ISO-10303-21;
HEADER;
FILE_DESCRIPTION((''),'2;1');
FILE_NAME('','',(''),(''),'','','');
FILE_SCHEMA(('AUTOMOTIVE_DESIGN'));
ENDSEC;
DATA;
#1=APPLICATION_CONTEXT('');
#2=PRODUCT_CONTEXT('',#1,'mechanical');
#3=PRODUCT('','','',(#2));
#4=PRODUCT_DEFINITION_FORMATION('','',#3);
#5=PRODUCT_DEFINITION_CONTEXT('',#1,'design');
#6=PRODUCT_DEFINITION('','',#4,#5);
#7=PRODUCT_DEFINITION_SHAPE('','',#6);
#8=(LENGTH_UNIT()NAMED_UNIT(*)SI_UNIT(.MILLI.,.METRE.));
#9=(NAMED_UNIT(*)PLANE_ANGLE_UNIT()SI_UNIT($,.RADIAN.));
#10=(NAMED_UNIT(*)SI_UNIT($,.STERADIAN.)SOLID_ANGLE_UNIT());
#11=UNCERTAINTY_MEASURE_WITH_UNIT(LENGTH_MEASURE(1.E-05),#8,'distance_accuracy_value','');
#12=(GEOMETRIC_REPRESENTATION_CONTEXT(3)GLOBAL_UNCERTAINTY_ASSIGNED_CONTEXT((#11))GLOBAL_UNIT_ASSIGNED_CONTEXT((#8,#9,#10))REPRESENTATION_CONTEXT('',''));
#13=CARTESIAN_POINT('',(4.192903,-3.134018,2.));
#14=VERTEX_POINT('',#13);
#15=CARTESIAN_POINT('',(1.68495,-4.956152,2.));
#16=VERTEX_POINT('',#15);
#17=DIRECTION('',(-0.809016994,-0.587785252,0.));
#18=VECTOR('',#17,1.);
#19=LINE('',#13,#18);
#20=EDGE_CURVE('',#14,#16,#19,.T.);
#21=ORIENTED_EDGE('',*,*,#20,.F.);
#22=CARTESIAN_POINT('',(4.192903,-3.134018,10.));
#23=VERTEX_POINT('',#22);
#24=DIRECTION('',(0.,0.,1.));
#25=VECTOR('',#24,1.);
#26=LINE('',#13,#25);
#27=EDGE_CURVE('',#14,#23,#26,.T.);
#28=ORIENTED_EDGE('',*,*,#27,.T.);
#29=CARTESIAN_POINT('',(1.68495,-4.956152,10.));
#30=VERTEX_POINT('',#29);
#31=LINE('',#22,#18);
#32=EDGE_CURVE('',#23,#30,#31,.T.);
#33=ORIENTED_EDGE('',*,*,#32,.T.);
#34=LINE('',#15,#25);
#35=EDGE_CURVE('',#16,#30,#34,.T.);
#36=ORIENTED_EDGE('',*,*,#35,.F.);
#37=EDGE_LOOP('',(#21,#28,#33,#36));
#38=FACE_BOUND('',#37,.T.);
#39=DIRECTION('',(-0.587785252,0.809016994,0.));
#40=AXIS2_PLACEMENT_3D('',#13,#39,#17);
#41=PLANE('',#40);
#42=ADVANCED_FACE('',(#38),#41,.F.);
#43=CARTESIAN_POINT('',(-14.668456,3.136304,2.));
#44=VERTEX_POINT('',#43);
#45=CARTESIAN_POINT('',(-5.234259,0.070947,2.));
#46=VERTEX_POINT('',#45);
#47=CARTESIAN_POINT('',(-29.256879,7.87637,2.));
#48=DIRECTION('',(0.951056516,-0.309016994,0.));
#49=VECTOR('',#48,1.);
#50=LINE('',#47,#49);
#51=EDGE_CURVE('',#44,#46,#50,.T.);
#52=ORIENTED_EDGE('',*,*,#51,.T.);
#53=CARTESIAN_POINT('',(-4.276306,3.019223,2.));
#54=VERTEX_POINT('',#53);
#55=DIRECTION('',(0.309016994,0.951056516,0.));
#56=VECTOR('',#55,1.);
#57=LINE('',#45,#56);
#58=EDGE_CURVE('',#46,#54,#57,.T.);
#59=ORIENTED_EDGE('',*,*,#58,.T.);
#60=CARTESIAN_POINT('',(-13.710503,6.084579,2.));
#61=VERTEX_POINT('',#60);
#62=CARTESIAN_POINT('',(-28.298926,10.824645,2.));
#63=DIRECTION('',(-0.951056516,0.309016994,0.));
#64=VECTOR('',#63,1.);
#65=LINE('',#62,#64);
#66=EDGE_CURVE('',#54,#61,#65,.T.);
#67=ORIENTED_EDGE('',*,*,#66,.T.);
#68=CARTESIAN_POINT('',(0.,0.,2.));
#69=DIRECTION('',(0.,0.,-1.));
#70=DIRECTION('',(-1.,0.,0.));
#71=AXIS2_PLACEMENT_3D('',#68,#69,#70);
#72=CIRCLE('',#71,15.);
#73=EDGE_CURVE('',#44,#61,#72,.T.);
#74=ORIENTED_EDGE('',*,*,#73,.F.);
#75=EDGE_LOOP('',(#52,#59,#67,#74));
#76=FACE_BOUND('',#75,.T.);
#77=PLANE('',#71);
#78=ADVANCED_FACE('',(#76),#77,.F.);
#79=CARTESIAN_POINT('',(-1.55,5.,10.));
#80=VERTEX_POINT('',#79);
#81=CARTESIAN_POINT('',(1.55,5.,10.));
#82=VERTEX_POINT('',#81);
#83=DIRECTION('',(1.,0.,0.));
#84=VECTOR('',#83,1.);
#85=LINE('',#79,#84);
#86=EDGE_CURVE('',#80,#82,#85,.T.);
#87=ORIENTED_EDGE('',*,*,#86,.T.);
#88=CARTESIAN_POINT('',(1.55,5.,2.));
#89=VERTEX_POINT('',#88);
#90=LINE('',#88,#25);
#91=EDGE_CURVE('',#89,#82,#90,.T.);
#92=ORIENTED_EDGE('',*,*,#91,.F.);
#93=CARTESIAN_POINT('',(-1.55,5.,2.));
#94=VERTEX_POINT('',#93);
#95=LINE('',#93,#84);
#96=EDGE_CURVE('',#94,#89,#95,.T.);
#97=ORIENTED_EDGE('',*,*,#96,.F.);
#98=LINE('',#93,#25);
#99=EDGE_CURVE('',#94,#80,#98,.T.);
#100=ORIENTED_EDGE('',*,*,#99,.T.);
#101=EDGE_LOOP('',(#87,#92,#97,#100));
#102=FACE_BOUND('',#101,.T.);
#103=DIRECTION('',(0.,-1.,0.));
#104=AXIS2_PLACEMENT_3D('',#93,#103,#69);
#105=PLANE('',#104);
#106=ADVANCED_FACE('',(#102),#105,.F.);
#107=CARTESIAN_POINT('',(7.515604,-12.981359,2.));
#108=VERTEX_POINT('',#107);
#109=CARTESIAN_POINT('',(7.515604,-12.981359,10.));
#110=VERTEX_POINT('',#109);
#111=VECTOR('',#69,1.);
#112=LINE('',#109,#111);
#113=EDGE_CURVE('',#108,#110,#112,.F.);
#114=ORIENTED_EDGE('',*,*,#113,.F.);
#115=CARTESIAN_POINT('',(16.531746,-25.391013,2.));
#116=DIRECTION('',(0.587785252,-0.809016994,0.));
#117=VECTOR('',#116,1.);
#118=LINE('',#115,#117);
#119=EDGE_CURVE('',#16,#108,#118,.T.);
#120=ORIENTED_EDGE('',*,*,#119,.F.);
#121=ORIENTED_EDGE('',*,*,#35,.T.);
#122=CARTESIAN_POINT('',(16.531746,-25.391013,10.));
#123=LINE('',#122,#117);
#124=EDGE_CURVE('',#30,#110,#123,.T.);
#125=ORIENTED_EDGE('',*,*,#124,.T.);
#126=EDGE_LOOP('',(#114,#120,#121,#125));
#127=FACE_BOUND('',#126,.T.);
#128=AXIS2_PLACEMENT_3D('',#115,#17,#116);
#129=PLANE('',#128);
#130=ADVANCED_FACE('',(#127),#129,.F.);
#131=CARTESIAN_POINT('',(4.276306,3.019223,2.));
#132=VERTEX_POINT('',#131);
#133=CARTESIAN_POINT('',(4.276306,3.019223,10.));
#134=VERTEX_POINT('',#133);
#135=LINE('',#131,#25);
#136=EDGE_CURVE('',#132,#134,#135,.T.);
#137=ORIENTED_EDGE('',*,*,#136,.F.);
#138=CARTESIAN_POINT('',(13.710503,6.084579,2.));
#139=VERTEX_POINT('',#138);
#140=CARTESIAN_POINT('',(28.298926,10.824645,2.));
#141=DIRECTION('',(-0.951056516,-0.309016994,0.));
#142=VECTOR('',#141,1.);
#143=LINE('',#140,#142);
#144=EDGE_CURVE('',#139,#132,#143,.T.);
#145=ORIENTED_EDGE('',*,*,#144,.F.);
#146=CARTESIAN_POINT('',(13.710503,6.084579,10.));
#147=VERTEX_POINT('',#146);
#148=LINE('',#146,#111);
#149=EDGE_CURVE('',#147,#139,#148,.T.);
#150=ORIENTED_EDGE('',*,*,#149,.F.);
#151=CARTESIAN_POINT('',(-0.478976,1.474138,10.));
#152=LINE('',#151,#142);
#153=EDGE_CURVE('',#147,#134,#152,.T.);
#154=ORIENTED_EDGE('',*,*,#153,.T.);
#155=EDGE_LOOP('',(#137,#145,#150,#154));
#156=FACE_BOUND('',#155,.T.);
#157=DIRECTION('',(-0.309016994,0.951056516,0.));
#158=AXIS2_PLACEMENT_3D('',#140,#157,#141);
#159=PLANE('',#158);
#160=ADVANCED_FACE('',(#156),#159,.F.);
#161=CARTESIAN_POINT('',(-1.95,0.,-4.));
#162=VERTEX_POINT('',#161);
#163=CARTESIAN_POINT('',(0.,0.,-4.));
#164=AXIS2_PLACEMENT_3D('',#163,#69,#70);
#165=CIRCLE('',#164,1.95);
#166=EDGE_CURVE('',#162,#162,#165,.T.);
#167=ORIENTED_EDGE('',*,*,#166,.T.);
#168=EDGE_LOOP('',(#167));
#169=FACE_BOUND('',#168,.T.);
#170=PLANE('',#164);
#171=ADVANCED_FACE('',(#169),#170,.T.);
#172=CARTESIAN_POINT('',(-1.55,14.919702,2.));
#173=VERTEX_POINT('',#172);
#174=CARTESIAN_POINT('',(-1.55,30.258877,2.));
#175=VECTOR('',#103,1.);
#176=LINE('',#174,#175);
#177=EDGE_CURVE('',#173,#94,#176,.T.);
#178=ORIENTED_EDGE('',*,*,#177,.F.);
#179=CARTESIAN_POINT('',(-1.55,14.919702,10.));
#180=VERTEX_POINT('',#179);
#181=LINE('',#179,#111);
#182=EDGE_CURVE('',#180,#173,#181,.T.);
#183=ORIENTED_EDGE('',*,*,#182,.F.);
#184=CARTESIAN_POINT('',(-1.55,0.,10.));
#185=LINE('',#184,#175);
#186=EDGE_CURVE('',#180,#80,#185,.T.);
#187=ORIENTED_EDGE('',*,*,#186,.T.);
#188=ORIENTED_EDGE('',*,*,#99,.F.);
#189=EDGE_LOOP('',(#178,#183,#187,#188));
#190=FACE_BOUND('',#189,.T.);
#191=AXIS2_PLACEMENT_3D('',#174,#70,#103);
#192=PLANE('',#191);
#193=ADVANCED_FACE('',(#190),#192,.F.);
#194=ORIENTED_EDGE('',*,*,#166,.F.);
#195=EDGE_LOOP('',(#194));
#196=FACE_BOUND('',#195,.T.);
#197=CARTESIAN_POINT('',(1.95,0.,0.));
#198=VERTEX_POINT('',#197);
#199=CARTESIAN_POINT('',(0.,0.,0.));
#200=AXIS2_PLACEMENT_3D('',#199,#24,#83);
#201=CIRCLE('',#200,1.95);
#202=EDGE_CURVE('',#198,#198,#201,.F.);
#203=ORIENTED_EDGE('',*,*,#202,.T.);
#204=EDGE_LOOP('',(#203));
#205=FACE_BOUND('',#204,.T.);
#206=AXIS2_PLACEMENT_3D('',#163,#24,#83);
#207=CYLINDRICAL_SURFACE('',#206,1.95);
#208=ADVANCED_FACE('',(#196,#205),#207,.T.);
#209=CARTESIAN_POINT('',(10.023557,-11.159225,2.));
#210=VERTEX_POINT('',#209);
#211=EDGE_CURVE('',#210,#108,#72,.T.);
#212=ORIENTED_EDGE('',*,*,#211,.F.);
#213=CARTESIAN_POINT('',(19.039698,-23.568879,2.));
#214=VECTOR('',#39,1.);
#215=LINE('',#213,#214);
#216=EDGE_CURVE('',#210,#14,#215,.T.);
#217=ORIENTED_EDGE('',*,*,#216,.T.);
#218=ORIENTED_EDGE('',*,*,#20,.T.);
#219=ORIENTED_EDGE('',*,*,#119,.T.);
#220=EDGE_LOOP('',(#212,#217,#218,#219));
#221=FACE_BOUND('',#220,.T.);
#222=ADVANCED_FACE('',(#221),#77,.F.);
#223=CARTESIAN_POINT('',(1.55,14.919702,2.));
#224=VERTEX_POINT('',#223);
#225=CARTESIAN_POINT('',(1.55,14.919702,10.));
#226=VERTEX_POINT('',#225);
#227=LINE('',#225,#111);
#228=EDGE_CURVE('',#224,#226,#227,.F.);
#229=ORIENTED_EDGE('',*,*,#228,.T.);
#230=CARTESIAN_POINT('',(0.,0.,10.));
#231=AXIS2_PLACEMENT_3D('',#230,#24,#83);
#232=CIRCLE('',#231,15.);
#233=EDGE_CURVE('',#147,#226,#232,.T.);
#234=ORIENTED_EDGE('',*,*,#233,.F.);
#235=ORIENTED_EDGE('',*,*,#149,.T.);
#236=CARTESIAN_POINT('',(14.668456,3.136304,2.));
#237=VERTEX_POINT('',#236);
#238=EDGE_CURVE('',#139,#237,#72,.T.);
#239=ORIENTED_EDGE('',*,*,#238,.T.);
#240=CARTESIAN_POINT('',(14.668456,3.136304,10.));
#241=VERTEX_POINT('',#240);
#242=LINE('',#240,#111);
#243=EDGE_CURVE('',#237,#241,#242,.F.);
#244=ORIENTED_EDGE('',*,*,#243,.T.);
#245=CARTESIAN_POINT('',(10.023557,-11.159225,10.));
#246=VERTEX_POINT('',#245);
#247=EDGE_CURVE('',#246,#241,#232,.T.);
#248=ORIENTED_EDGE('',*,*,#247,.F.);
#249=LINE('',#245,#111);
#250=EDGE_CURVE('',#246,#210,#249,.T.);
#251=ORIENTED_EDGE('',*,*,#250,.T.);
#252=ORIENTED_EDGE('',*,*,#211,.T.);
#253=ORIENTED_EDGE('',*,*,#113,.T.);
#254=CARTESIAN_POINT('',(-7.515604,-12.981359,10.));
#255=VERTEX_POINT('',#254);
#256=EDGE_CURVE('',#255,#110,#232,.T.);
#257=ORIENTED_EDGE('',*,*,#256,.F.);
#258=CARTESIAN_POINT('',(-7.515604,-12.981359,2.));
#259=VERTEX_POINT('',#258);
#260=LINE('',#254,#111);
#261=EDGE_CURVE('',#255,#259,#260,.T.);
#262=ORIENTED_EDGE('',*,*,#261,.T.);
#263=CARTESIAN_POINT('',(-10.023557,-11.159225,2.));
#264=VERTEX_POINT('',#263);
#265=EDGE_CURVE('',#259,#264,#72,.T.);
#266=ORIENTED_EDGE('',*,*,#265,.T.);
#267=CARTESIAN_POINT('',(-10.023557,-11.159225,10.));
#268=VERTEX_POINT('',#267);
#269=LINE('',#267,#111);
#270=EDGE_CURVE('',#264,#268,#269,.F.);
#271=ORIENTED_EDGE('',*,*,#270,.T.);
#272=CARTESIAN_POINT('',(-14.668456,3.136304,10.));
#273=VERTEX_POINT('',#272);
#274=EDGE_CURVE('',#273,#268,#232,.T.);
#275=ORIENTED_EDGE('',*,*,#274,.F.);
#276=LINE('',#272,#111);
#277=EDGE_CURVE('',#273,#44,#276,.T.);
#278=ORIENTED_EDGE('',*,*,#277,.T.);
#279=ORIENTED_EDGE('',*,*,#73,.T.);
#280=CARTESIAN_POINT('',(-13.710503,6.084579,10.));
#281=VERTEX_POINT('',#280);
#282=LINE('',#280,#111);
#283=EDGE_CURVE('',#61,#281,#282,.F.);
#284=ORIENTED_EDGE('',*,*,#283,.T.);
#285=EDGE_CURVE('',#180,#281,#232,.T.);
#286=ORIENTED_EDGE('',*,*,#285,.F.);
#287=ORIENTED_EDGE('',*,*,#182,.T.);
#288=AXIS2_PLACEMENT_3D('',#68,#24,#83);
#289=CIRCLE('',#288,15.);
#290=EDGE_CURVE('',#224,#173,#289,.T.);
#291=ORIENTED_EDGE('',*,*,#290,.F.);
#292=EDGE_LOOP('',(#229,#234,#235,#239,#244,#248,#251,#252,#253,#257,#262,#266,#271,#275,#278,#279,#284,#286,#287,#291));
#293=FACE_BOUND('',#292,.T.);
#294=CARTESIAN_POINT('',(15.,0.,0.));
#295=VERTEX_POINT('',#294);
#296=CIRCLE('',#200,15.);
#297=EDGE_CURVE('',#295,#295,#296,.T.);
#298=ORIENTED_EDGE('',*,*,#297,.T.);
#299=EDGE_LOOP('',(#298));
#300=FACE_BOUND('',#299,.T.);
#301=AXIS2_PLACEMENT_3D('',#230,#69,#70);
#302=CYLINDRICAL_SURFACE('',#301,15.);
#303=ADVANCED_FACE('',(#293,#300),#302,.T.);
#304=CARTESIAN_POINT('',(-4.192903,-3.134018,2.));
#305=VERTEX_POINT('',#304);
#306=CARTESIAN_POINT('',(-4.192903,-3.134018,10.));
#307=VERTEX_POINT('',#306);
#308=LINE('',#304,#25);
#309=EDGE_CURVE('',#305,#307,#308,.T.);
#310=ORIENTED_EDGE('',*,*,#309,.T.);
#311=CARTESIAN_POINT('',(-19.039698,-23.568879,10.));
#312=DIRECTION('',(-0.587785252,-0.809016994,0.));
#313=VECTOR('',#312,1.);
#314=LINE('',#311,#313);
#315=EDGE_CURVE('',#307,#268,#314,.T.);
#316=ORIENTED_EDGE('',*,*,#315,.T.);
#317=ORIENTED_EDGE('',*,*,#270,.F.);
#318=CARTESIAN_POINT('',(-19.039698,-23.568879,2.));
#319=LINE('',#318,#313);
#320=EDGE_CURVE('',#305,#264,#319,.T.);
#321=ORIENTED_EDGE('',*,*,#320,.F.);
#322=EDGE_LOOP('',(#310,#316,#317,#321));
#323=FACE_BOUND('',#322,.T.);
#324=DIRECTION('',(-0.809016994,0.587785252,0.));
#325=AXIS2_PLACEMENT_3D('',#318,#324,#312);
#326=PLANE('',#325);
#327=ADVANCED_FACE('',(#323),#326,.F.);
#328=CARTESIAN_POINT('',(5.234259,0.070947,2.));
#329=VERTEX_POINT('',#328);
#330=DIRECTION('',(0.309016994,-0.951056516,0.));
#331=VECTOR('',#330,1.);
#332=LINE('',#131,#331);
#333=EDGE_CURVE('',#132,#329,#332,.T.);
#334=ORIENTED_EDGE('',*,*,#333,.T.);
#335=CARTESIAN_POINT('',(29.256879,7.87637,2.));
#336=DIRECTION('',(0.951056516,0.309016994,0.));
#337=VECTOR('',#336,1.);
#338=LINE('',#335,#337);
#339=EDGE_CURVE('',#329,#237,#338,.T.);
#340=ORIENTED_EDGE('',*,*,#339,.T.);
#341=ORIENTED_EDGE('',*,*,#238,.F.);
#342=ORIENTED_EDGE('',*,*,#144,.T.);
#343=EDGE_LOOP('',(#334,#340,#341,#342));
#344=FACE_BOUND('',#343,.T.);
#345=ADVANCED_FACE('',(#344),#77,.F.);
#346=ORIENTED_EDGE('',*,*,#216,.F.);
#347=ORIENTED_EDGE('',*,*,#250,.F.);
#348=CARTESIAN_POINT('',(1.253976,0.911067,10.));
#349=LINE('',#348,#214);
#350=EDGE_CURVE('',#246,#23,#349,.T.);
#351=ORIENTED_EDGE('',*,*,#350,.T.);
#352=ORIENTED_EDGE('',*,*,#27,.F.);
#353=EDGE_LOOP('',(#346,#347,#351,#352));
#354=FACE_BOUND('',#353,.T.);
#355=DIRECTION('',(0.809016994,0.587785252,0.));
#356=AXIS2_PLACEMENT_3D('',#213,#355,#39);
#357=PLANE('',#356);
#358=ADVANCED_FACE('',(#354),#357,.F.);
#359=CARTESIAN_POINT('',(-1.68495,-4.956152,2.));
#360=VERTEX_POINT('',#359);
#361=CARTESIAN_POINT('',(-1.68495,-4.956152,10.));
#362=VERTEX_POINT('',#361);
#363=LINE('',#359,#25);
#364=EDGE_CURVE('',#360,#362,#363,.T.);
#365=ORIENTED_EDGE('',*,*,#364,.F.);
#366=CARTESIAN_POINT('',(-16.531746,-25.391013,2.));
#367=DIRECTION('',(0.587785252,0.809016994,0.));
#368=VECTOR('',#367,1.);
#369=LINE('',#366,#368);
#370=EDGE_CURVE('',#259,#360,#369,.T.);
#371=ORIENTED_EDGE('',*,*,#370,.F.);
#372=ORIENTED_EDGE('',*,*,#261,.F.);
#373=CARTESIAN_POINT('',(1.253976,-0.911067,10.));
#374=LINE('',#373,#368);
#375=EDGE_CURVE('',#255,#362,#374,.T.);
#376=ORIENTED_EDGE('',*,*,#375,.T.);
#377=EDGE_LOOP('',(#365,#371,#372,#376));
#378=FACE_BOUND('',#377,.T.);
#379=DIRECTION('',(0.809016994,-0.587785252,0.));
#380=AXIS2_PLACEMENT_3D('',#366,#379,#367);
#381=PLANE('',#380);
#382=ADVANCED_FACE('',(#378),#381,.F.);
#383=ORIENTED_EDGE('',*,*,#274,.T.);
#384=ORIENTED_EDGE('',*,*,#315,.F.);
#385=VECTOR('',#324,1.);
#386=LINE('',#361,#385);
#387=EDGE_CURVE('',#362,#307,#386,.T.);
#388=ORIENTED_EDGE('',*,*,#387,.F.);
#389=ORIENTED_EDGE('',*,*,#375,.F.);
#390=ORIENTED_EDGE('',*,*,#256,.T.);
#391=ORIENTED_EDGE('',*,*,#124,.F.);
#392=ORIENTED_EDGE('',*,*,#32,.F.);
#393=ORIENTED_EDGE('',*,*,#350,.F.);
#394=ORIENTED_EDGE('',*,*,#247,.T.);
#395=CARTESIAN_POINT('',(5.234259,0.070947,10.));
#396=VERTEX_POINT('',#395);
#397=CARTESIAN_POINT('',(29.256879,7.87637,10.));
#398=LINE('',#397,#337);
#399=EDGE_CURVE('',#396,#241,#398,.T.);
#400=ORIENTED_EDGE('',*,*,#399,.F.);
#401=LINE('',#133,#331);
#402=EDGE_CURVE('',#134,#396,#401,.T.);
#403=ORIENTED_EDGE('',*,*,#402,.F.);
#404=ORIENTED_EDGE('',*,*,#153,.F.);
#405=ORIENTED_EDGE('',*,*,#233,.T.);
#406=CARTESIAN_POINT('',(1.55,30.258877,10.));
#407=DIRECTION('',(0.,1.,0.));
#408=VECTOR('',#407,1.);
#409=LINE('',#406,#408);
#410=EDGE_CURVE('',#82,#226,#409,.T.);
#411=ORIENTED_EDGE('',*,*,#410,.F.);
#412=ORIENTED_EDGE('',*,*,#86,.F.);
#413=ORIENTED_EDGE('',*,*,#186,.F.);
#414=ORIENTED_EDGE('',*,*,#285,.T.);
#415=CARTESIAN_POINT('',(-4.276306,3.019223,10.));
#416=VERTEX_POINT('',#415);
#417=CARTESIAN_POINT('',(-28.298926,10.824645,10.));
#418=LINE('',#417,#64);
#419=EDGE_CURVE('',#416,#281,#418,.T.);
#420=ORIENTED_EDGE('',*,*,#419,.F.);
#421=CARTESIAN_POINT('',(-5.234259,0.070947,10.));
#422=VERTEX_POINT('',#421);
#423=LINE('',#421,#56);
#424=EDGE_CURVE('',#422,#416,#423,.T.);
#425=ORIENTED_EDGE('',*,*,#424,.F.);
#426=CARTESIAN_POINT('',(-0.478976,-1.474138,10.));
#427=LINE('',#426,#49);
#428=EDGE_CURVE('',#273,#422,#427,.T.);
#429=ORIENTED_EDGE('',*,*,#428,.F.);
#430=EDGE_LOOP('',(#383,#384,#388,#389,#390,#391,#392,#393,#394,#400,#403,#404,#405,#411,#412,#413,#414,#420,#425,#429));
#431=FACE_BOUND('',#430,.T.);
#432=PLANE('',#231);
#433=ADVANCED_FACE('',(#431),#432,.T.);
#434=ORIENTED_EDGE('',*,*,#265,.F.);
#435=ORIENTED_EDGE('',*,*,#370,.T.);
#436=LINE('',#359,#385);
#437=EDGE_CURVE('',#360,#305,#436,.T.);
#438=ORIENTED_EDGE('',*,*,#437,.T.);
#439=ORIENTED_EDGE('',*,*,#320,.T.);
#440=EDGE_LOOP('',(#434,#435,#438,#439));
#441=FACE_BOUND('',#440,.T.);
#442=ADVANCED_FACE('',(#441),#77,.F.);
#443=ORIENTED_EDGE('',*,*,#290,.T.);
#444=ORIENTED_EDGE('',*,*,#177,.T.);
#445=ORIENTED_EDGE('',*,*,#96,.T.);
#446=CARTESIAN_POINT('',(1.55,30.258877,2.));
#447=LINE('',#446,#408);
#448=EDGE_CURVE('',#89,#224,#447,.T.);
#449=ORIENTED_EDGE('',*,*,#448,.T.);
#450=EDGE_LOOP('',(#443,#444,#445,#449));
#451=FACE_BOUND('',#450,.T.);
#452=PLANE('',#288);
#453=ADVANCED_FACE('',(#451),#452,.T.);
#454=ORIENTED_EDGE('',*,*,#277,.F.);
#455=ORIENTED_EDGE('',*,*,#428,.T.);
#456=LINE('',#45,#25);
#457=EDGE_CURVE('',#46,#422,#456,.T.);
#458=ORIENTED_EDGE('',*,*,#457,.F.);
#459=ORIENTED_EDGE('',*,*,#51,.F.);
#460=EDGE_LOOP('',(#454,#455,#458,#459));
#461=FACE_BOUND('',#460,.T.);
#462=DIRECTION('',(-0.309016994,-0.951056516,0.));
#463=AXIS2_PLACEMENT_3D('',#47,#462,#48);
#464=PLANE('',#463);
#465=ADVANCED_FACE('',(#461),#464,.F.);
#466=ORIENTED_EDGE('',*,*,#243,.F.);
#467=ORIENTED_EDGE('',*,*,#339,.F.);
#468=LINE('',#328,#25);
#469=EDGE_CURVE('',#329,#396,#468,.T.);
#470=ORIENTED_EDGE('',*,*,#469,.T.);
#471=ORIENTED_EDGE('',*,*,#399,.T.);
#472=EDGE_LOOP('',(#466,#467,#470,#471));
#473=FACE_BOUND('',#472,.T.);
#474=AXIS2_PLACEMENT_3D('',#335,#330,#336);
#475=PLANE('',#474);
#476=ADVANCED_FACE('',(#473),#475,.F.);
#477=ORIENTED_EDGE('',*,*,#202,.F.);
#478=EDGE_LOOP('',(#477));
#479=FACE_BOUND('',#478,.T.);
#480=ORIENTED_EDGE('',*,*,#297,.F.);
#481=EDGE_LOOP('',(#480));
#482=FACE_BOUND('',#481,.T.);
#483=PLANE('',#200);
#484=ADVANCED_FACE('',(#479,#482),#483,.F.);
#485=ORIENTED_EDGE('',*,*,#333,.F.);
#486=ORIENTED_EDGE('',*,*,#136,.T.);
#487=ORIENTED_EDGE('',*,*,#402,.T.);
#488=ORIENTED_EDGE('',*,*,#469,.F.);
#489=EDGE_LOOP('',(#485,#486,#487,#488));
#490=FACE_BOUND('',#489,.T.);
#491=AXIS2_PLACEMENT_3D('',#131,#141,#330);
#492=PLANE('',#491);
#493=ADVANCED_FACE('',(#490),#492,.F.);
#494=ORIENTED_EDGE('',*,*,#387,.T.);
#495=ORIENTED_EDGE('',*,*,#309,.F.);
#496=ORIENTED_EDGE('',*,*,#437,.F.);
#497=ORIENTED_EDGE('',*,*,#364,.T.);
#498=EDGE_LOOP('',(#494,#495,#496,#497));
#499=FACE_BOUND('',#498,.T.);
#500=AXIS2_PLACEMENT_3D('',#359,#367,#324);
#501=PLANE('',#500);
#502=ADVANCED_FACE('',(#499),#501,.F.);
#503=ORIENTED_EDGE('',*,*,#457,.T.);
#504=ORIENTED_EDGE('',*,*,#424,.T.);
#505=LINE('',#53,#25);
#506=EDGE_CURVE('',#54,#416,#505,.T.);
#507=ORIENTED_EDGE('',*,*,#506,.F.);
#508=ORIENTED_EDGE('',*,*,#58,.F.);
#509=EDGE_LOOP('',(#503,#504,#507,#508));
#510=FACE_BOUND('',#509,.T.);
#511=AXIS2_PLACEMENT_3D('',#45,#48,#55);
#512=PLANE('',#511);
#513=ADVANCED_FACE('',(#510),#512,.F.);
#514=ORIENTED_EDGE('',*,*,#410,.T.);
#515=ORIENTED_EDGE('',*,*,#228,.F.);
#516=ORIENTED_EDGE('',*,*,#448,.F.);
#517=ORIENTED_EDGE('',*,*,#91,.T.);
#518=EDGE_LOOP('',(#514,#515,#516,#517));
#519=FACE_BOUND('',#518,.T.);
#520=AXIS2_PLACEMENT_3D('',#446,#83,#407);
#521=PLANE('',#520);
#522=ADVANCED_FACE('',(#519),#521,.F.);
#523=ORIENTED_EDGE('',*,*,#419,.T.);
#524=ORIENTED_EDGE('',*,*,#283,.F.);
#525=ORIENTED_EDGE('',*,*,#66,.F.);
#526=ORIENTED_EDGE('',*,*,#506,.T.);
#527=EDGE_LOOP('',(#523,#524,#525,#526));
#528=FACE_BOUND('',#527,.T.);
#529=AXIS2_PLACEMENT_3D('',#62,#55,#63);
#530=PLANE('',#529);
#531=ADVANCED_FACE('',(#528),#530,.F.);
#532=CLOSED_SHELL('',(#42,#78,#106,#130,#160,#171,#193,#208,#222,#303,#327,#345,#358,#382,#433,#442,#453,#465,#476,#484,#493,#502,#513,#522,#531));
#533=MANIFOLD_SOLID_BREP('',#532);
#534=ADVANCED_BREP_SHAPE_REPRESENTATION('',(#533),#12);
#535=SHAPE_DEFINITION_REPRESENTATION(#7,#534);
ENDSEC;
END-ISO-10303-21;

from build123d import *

# Parameters (mm, degrees)
SKETCH_1_R          = 15
EXTRUDE_1_DEPTH     = 10
SKETCH_2_R          = 1.95
EXTRUDE_2_DEPTH     = 4
SKETCH_3_W          = 3.1
SKETCH_3_H          = 25.258877381
CUT_EXTRUDE_1_DEPTH = 8


with BuildPart() as part:
    # 草图1 → 凸台-拉伸1 (new body)
    with BuildSketch(Plane.XY):
        Circle(SKETCH_1_R)
    extrude(amount=EXTRUDE_1_DEPTH)

    # 草图2 → 凸台-拉伸2 (add)
    with BuildSketch(Plane(origin=(0, 0, 0), x_dir=(-1, 0, 0), z_dir=(0, 0, -1))):
        Circle(SKETCH_2_R)
    extrude(amount=EXTRUDE_2_DEPTH)

    # 草图3 → 切除-拉伸1 (cut)
    with BuildSketch(Plane.XY.offset(10)):
        Polygon((29.256878851, 7.876369741), (5.234258923, 0.070947372), (4.27630624, 3.019222572), (28.298926168, 10.824644942), align=None)
        with Locations((0, 17.629438691)):
            Rectangle(SKETCH_3_W, SKETCH_3_H)
        Polygon((16.531745534, -25.391013173), (1.68494992, -4.956152113), (4.192902603, -3.134017831), (19.039698217, -23.568878891), align=None)
        Polygon((-19.039698217, -23.568878891), (-4.192902603, -3.134017831), (-1.68494992, -4.956152113), (-16.531745534, -25.391013173), align=None)
        Polygon((-28.298926168, 10.824644942), (-4.27630624, 3.019222572), (-5.234258923, 0.070947372), (-29.256878851, 7.876369741), align=None)
    extrude(amount=-CUT_EXTRUDE_1_DEPTH, mode=Mode.SUBTRACT)


solid = part.part
